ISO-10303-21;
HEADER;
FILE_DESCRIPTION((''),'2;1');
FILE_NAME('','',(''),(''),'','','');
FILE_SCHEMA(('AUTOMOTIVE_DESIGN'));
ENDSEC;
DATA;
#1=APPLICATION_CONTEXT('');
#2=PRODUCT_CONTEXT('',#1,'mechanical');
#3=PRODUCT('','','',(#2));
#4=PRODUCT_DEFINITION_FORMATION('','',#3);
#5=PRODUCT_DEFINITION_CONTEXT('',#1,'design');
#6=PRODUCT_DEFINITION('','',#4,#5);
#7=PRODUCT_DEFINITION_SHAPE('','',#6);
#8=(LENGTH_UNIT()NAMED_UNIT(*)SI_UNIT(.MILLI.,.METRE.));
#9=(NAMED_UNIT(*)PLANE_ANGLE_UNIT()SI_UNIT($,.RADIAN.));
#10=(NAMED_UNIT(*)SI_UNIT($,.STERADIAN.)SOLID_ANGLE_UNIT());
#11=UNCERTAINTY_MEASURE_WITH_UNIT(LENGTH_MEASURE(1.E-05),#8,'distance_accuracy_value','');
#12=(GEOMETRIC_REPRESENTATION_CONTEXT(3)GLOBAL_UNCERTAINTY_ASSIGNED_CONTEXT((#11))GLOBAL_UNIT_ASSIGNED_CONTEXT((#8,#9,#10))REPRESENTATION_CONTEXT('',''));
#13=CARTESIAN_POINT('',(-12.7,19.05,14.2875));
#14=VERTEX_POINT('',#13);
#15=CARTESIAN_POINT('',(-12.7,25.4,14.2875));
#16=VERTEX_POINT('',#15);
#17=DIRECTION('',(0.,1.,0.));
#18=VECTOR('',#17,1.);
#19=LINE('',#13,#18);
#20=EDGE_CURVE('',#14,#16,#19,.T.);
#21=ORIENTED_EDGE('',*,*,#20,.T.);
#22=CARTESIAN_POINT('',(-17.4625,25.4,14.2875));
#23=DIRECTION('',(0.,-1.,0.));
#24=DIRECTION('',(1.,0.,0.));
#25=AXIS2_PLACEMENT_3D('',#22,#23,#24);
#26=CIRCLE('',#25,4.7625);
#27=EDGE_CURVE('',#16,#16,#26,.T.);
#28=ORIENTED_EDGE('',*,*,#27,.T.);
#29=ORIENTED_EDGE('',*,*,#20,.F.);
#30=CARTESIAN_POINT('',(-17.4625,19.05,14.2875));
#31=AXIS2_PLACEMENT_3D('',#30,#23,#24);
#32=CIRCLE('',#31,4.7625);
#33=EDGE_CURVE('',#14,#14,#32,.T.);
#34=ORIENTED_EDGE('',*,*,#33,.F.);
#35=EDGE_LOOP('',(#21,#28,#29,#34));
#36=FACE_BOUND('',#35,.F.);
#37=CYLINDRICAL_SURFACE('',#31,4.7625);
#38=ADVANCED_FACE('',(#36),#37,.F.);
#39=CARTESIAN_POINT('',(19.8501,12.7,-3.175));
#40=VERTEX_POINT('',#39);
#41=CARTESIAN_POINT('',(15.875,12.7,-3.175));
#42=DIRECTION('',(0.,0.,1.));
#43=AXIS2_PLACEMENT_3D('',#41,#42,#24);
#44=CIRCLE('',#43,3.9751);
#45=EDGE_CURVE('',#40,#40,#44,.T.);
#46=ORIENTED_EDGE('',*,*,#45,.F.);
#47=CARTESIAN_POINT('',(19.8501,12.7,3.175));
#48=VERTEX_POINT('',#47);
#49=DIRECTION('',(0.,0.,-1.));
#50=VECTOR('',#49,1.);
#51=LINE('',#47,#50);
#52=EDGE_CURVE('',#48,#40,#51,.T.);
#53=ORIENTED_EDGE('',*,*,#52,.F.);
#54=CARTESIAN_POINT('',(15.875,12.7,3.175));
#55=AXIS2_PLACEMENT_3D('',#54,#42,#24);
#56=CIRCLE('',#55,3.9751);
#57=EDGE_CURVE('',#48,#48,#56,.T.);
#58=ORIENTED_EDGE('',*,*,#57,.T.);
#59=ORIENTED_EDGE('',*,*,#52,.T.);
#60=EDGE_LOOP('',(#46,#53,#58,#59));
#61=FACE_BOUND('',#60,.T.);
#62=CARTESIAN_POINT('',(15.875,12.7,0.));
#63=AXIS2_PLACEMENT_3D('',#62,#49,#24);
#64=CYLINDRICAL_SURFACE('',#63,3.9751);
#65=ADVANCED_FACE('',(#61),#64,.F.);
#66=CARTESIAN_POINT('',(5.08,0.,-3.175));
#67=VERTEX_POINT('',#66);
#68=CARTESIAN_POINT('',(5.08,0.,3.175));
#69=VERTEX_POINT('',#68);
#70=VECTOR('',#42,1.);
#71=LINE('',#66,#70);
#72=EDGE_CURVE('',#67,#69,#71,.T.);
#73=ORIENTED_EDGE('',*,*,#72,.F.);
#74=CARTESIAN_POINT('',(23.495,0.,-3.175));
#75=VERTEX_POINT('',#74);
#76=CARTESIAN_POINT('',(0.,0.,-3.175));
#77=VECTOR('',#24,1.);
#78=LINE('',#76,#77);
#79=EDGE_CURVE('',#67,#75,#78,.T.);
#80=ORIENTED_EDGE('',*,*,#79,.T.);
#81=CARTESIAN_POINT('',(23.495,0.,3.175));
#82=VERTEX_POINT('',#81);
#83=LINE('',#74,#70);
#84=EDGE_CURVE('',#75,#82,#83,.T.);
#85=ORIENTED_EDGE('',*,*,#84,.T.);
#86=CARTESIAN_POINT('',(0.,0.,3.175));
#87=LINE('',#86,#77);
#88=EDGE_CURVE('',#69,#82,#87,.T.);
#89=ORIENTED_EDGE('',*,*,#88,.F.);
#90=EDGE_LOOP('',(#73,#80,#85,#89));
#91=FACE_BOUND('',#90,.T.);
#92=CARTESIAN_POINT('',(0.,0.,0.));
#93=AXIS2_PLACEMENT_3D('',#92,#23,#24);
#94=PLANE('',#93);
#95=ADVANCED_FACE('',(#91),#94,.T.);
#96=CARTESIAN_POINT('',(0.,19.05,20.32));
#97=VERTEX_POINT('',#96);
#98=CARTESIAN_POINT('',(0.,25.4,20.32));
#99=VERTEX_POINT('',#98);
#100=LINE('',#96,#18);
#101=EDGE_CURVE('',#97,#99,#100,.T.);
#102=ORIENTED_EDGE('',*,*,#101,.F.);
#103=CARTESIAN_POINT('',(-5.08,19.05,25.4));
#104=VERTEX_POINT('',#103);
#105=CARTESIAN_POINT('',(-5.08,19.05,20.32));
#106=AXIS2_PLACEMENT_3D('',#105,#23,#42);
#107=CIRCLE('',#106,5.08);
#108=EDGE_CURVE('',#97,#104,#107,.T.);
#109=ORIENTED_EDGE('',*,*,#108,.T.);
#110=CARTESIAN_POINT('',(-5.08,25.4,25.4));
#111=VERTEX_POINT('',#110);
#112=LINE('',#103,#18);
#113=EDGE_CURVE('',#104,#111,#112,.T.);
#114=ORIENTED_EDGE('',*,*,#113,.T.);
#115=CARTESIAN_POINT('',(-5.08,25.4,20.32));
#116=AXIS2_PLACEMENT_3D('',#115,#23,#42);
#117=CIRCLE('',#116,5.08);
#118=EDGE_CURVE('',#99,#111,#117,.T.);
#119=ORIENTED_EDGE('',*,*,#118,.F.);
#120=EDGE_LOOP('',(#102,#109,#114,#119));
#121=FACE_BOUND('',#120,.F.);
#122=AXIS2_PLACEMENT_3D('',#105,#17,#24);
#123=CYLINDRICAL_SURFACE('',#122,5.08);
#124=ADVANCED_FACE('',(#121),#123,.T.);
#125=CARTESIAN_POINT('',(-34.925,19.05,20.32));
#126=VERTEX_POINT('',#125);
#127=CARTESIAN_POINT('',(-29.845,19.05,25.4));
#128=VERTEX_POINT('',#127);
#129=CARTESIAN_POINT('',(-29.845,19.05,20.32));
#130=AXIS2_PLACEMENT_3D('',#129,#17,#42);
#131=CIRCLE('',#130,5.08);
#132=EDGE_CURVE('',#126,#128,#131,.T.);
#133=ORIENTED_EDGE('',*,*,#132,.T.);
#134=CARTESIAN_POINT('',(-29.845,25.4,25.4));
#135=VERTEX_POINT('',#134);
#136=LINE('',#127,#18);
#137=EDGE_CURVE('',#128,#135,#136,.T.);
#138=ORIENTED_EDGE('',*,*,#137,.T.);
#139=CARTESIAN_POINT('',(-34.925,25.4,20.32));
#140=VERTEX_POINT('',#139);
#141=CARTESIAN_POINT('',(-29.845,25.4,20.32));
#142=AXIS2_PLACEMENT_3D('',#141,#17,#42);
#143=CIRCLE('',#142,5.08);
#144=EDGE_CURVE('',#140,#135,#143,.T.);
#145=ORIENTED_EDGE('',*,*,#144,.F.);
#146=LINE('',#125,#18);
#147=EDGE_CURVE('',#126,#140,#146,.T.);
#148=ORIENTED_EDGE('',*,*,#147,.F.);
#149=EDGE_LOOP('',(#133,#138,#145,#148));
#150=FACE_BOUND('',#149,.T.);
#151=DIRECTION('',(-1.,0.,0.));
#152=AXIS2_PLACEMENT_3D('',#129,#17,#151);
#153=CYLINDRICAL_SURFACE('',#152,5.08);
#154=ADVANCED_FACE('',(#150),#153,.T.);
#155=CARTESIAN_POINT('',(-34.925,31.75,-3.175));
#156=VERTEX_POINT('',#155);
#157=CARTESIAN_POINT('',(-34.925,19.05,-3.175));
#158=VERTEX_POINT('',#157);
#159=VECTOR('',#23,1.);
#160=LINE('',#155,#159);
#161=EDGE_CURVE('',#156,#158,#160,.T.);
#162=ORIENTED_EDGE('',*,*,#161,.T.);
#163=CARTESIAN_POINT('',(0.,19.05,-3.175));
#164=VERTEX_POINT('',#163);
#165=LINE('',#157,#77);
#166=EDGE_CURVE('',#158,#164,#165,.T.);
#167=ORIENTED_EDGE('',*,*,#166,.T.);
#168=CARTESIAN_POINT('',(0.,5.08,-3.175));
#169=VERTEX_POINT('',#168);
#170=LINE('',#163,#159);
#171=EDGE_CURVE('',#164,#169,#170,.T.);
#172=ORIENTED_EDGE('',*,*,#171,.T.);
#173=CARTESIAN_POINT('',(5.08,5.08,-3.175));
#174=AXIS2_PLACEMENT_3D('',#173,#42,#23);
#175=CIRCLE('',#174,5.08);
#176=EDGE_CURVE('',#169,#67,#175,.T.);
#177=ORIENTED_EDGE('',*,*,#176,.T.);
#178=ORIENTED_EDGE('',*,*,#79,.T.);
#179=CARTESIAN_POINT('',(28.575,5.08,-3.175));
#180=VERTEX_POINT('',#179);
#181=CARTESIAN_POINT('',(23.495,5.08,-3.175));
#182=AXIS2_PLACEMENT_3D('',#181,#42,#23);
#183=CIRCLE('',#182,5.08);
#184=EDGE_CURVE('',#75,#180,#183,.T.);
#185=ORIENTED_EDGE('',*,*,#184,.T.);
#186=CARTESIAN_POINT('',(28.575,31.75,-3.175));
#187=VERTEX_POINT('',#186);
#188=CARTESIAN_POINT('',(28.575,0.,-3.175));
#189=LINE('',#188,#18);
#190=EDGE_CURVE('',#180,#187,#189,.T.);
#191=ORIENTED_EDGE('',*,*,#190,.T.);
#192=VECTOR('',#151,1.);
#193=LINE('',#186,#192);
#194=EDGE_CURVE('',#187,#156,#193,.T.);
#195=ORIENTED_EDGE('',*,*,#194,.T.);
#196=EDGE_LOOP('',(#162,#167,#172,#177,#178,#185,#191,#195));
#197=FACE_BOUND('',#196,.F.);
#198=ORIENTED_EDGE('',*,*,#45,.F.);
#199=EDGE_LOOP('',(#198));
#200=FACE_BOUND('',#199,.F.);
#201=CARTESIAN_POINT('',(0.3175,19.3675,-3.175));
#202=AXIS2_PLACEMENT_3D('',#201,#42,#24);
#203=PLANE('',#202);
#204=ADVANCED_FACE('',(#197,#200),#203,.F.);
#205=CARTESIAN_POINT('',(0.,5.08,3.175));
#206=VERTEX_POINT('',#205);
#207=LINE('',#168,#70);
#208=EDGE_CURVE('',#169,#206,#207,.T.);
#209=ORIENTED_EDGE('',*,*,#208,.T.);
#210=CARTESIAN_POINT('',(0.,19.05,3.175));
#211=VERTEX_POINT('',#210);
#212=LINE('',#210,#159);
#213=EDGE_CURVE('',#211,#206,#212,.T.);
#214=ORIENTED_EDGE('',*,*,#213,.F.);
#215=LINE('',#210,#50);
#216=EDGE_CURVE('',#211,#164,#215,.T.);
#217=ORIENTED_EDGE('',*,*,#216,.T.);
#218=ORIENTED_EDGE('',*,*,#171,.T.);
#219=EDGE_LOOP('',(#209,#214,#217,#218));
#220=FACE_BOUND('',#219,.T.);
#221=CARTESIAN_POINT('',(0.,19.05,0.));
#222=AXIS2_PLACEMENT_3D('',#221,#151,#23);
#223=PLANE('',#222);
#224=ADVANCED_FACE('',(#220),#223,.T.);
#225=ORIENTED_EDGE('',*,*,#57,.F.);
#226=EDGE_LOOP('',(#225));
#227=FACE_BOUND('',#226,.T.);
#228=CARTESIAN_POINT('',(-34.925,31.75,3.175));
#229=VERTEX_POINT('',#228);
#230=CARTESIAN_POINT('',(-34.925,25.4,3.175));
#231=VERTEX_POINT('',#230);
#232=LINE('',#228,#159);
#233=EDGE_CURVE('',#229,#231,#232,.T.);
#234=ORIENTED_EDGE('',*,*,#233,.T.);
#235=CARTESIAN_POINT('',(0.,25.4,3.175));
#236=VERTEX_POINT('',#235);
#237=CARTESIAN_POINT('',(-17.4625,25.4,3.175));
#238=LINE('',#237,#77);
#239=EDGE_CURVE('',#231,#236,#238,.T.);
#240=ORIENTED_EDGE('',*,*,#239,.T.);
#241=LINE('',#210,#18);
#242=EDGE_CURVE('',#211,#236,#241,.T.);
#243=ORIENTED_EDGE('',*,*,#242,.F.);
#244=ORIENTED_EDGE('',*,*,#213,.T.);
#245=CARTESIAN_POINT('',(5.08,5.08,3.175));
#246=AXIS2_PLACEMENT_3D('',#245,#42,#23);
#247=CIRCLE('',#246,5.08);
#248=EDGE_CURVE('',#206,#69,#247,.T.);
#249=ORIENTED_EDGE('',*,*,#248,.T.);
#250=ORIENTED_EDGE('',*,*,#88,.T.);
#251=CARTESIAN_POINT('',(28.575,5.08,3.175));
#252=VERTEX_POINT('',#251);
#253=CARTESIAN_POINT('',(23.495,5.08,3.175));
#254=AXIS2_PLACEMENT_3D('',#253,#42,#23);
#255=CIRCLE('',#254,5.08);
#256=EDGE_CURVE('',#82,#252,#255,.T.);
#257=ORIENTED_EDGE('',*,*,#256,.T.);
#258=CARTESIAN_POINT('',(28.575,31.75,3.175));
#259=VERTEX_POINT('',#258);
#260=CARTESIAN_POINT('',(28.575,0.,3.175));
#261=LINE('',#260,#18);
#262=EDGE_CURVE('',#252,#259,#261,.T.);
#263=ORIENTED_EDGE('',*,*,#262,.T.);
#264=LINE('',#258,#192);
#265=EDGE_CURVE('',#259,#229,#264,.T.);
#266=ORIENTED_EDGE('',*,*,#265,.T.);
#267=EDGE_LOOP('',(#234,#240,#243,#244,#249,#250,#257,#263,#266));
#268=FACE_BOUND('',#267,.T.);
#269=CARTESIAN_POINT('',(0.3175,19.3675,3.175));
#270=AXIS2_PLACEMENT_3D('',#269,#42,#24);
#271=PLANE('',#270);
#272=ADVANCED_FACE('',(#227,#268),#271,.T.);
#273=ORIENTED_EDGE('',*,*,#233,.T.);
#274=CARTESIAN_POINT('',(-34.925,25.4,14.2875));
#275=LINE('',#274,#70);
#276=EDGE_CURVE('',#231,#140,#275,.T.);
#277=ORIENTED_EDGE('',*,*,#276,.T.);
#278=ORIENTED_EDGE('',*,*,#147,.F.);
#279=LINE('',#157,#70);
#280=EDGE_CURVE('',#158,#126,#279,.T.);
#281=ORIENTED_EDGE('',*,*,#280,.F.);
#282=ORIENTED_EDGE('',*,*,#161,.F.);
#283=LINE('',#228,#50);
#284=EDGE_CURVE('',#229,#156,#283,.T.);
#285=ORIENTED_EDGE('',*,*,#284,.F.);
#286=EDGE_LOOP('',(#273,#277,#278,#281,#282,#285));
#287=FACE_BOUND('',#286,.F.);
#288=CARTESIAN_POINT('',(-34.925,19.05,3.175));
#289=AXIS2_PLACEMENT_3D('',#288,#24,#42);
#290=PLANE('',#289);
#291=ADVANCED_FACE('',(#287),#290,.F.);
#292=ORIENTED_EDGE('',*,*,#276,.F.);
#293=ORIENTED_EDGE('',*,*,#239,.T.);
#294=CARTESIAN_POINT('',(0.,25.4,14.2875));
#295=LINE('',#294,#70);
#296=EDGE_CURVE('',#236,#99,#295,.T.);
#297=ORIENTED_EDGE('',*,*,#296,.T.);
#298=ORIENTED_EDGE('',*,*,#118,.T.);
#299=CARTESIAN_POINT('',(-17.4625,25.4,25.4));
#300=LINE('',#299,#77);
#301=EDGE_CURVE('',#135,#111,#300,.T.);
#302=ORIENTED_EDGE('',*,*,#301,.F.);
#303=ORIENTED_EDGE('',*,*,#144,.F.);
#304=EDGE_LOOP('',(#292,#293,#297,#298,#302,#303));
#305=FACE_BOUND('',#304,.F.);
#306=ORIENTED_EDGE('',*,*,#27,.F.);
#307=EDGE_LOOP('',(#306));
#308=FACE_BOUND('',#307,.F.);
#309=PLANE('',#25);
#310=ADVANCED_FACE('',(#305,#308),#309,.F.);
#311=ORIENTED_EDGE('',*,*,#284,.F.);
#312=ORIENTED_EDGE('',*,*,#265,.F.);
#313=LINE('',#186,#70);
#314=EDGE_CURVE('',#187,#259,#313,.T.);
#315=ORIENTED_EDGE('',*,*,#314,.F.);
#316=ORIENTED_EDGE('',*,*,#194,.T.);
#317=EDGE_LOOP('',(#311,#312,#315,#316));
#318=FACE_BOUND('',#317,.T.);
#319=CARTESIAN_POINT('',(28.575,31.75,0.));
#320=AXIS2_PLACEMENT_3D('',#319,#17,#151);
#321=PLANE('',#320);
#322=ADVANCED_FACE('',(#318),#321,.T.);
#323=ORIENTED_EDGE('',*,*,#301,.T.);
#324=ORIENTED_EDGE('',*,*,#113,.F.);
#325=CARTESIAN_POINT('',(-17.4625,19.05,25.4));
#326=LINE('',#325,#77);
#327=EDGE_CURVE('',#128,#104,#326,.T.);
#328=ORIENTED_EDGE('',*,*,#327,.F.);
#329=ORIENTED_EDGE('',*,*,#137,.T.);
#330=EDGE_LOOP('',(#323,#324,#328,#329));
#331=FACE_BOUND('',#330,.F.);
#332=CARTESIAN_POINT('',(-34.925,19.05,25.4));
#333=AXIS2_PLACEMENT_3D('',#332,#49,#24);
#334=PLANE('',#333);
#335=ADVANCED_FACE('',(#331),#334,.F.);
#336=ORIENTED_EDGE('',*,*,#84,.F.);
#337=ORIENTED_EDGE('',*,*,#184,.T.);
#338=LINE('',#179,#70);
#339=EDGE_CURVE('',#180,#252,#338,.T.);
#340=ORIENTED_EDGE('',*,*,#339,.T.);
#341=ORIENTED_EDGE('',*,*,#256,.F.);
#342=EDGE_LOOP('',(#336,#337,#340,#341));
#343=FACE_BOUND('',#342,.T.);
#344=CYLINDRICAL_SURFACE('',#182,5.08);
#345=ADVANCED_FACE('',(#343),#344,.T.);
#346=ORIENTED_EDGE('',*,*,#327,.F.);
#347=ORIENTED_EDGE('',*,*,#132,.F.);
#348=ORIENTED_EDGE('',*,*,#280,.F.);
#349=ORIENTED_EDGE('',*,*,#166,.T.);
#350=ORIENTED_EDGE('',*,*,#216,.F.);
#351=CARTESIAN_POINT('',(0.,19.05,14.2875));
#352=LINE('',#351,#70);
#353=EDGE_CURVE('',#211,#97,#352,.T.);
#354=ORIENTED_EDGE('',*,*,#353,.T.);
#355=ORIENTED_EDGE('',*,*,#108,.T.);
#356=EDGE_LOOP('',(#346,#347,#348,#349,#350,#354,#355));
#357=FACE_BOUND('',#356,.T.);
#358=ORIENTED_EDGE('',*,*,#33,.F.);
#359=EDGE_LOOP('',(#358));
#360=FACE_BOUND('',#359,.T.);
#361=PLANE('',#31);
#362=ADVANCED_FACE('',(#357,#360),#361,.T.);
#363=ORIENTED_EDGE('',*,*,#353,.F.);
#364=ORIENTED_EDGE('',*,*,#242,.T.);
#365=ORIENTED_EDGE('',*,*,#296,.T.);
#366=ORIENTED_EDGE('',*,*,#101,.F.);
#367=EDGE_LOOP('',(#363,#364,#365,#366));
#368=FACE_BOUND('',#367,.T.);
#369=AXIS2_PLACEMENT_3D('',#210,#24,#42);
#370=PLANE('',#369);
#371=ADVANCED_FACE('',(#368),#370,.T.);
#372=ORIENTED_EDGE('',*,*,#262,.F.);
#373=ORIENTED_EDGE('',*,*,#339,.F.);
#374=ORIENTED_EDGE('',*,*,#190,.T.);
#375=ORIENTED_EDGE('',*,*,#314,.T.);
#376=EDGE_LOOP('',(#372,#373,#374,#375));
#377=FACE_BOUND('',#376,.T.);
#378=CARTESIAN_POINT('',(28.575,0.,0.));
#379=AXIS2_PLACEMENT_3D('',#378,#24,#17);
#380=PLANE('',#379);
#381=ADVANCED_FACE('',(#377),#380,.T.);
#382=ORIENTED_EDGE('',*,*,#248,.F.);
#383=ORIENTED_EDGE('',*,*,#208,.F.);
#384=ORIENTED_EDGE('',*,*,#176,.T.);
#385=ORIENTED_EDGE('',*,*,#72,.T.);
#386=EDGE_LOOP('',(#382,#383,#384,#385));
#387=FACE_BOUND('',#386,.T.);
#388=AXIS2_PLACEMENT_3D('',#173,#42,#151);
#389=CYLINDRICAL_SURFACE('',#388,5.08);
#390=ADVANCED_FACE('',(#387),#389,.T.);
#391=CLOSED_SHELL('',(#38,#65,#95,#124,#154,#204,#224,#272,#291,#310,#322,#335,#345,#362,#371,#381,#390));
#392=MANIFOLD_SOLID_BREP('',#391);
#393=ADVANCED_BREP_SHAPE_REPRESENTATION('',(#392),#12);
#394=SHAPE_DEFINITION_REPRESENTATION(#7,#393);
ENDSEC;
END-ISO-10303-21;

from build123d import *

# Parameters (mm, degrees)
F0_R     = 3.9751
F1_DEPTH = 3.175
F2_W     = 34.925
F2_H     = 22.225
F2_R     = 4.7625
F3_DEPTH = 6.35
F4_R     = 5.08


with BuildPart() as f1:
    # F0 (on Top) → F1 (new body, symmetric)
    with BuildSketch(Plane.XY):
        Polygon((0, 19.05), (0, 0), (28.575, 0), (28.575, 31.75), (-34.925, 31.75), (-34.925, 19.05), align=None)
        with Locations((15.875, 12.7)):
            Circle(F0_R, mode=Mode.SUBTRACT)
    extrude(amount=F1_DEPTH, both=True)

    # F2 (on face) → F3 (join)
    with BuildSketch(Plane.XZ.offset(-19.05)):
        with Locations((-17.4625, 14.2875)):
            Rectangle(F2_W, F2_H)
        with Locations((-17.4625, 14.2875)):
            Circle(F2_R, mode=Mode.SUBTRACT)
    extrude(amount=-F3_DEPTH)

    # F4
    f4_edges = [f1.edges().sort_by_distance(p)[0] for p in [
        (-34.925, 22.225, 25.4),
        (0, 22.225, 25.4),
        (0, 0, 0),
        (28.575, 0, 0),
    ]]
    fillet(f4_edges, radius=F4_R)


solid = f1.part
